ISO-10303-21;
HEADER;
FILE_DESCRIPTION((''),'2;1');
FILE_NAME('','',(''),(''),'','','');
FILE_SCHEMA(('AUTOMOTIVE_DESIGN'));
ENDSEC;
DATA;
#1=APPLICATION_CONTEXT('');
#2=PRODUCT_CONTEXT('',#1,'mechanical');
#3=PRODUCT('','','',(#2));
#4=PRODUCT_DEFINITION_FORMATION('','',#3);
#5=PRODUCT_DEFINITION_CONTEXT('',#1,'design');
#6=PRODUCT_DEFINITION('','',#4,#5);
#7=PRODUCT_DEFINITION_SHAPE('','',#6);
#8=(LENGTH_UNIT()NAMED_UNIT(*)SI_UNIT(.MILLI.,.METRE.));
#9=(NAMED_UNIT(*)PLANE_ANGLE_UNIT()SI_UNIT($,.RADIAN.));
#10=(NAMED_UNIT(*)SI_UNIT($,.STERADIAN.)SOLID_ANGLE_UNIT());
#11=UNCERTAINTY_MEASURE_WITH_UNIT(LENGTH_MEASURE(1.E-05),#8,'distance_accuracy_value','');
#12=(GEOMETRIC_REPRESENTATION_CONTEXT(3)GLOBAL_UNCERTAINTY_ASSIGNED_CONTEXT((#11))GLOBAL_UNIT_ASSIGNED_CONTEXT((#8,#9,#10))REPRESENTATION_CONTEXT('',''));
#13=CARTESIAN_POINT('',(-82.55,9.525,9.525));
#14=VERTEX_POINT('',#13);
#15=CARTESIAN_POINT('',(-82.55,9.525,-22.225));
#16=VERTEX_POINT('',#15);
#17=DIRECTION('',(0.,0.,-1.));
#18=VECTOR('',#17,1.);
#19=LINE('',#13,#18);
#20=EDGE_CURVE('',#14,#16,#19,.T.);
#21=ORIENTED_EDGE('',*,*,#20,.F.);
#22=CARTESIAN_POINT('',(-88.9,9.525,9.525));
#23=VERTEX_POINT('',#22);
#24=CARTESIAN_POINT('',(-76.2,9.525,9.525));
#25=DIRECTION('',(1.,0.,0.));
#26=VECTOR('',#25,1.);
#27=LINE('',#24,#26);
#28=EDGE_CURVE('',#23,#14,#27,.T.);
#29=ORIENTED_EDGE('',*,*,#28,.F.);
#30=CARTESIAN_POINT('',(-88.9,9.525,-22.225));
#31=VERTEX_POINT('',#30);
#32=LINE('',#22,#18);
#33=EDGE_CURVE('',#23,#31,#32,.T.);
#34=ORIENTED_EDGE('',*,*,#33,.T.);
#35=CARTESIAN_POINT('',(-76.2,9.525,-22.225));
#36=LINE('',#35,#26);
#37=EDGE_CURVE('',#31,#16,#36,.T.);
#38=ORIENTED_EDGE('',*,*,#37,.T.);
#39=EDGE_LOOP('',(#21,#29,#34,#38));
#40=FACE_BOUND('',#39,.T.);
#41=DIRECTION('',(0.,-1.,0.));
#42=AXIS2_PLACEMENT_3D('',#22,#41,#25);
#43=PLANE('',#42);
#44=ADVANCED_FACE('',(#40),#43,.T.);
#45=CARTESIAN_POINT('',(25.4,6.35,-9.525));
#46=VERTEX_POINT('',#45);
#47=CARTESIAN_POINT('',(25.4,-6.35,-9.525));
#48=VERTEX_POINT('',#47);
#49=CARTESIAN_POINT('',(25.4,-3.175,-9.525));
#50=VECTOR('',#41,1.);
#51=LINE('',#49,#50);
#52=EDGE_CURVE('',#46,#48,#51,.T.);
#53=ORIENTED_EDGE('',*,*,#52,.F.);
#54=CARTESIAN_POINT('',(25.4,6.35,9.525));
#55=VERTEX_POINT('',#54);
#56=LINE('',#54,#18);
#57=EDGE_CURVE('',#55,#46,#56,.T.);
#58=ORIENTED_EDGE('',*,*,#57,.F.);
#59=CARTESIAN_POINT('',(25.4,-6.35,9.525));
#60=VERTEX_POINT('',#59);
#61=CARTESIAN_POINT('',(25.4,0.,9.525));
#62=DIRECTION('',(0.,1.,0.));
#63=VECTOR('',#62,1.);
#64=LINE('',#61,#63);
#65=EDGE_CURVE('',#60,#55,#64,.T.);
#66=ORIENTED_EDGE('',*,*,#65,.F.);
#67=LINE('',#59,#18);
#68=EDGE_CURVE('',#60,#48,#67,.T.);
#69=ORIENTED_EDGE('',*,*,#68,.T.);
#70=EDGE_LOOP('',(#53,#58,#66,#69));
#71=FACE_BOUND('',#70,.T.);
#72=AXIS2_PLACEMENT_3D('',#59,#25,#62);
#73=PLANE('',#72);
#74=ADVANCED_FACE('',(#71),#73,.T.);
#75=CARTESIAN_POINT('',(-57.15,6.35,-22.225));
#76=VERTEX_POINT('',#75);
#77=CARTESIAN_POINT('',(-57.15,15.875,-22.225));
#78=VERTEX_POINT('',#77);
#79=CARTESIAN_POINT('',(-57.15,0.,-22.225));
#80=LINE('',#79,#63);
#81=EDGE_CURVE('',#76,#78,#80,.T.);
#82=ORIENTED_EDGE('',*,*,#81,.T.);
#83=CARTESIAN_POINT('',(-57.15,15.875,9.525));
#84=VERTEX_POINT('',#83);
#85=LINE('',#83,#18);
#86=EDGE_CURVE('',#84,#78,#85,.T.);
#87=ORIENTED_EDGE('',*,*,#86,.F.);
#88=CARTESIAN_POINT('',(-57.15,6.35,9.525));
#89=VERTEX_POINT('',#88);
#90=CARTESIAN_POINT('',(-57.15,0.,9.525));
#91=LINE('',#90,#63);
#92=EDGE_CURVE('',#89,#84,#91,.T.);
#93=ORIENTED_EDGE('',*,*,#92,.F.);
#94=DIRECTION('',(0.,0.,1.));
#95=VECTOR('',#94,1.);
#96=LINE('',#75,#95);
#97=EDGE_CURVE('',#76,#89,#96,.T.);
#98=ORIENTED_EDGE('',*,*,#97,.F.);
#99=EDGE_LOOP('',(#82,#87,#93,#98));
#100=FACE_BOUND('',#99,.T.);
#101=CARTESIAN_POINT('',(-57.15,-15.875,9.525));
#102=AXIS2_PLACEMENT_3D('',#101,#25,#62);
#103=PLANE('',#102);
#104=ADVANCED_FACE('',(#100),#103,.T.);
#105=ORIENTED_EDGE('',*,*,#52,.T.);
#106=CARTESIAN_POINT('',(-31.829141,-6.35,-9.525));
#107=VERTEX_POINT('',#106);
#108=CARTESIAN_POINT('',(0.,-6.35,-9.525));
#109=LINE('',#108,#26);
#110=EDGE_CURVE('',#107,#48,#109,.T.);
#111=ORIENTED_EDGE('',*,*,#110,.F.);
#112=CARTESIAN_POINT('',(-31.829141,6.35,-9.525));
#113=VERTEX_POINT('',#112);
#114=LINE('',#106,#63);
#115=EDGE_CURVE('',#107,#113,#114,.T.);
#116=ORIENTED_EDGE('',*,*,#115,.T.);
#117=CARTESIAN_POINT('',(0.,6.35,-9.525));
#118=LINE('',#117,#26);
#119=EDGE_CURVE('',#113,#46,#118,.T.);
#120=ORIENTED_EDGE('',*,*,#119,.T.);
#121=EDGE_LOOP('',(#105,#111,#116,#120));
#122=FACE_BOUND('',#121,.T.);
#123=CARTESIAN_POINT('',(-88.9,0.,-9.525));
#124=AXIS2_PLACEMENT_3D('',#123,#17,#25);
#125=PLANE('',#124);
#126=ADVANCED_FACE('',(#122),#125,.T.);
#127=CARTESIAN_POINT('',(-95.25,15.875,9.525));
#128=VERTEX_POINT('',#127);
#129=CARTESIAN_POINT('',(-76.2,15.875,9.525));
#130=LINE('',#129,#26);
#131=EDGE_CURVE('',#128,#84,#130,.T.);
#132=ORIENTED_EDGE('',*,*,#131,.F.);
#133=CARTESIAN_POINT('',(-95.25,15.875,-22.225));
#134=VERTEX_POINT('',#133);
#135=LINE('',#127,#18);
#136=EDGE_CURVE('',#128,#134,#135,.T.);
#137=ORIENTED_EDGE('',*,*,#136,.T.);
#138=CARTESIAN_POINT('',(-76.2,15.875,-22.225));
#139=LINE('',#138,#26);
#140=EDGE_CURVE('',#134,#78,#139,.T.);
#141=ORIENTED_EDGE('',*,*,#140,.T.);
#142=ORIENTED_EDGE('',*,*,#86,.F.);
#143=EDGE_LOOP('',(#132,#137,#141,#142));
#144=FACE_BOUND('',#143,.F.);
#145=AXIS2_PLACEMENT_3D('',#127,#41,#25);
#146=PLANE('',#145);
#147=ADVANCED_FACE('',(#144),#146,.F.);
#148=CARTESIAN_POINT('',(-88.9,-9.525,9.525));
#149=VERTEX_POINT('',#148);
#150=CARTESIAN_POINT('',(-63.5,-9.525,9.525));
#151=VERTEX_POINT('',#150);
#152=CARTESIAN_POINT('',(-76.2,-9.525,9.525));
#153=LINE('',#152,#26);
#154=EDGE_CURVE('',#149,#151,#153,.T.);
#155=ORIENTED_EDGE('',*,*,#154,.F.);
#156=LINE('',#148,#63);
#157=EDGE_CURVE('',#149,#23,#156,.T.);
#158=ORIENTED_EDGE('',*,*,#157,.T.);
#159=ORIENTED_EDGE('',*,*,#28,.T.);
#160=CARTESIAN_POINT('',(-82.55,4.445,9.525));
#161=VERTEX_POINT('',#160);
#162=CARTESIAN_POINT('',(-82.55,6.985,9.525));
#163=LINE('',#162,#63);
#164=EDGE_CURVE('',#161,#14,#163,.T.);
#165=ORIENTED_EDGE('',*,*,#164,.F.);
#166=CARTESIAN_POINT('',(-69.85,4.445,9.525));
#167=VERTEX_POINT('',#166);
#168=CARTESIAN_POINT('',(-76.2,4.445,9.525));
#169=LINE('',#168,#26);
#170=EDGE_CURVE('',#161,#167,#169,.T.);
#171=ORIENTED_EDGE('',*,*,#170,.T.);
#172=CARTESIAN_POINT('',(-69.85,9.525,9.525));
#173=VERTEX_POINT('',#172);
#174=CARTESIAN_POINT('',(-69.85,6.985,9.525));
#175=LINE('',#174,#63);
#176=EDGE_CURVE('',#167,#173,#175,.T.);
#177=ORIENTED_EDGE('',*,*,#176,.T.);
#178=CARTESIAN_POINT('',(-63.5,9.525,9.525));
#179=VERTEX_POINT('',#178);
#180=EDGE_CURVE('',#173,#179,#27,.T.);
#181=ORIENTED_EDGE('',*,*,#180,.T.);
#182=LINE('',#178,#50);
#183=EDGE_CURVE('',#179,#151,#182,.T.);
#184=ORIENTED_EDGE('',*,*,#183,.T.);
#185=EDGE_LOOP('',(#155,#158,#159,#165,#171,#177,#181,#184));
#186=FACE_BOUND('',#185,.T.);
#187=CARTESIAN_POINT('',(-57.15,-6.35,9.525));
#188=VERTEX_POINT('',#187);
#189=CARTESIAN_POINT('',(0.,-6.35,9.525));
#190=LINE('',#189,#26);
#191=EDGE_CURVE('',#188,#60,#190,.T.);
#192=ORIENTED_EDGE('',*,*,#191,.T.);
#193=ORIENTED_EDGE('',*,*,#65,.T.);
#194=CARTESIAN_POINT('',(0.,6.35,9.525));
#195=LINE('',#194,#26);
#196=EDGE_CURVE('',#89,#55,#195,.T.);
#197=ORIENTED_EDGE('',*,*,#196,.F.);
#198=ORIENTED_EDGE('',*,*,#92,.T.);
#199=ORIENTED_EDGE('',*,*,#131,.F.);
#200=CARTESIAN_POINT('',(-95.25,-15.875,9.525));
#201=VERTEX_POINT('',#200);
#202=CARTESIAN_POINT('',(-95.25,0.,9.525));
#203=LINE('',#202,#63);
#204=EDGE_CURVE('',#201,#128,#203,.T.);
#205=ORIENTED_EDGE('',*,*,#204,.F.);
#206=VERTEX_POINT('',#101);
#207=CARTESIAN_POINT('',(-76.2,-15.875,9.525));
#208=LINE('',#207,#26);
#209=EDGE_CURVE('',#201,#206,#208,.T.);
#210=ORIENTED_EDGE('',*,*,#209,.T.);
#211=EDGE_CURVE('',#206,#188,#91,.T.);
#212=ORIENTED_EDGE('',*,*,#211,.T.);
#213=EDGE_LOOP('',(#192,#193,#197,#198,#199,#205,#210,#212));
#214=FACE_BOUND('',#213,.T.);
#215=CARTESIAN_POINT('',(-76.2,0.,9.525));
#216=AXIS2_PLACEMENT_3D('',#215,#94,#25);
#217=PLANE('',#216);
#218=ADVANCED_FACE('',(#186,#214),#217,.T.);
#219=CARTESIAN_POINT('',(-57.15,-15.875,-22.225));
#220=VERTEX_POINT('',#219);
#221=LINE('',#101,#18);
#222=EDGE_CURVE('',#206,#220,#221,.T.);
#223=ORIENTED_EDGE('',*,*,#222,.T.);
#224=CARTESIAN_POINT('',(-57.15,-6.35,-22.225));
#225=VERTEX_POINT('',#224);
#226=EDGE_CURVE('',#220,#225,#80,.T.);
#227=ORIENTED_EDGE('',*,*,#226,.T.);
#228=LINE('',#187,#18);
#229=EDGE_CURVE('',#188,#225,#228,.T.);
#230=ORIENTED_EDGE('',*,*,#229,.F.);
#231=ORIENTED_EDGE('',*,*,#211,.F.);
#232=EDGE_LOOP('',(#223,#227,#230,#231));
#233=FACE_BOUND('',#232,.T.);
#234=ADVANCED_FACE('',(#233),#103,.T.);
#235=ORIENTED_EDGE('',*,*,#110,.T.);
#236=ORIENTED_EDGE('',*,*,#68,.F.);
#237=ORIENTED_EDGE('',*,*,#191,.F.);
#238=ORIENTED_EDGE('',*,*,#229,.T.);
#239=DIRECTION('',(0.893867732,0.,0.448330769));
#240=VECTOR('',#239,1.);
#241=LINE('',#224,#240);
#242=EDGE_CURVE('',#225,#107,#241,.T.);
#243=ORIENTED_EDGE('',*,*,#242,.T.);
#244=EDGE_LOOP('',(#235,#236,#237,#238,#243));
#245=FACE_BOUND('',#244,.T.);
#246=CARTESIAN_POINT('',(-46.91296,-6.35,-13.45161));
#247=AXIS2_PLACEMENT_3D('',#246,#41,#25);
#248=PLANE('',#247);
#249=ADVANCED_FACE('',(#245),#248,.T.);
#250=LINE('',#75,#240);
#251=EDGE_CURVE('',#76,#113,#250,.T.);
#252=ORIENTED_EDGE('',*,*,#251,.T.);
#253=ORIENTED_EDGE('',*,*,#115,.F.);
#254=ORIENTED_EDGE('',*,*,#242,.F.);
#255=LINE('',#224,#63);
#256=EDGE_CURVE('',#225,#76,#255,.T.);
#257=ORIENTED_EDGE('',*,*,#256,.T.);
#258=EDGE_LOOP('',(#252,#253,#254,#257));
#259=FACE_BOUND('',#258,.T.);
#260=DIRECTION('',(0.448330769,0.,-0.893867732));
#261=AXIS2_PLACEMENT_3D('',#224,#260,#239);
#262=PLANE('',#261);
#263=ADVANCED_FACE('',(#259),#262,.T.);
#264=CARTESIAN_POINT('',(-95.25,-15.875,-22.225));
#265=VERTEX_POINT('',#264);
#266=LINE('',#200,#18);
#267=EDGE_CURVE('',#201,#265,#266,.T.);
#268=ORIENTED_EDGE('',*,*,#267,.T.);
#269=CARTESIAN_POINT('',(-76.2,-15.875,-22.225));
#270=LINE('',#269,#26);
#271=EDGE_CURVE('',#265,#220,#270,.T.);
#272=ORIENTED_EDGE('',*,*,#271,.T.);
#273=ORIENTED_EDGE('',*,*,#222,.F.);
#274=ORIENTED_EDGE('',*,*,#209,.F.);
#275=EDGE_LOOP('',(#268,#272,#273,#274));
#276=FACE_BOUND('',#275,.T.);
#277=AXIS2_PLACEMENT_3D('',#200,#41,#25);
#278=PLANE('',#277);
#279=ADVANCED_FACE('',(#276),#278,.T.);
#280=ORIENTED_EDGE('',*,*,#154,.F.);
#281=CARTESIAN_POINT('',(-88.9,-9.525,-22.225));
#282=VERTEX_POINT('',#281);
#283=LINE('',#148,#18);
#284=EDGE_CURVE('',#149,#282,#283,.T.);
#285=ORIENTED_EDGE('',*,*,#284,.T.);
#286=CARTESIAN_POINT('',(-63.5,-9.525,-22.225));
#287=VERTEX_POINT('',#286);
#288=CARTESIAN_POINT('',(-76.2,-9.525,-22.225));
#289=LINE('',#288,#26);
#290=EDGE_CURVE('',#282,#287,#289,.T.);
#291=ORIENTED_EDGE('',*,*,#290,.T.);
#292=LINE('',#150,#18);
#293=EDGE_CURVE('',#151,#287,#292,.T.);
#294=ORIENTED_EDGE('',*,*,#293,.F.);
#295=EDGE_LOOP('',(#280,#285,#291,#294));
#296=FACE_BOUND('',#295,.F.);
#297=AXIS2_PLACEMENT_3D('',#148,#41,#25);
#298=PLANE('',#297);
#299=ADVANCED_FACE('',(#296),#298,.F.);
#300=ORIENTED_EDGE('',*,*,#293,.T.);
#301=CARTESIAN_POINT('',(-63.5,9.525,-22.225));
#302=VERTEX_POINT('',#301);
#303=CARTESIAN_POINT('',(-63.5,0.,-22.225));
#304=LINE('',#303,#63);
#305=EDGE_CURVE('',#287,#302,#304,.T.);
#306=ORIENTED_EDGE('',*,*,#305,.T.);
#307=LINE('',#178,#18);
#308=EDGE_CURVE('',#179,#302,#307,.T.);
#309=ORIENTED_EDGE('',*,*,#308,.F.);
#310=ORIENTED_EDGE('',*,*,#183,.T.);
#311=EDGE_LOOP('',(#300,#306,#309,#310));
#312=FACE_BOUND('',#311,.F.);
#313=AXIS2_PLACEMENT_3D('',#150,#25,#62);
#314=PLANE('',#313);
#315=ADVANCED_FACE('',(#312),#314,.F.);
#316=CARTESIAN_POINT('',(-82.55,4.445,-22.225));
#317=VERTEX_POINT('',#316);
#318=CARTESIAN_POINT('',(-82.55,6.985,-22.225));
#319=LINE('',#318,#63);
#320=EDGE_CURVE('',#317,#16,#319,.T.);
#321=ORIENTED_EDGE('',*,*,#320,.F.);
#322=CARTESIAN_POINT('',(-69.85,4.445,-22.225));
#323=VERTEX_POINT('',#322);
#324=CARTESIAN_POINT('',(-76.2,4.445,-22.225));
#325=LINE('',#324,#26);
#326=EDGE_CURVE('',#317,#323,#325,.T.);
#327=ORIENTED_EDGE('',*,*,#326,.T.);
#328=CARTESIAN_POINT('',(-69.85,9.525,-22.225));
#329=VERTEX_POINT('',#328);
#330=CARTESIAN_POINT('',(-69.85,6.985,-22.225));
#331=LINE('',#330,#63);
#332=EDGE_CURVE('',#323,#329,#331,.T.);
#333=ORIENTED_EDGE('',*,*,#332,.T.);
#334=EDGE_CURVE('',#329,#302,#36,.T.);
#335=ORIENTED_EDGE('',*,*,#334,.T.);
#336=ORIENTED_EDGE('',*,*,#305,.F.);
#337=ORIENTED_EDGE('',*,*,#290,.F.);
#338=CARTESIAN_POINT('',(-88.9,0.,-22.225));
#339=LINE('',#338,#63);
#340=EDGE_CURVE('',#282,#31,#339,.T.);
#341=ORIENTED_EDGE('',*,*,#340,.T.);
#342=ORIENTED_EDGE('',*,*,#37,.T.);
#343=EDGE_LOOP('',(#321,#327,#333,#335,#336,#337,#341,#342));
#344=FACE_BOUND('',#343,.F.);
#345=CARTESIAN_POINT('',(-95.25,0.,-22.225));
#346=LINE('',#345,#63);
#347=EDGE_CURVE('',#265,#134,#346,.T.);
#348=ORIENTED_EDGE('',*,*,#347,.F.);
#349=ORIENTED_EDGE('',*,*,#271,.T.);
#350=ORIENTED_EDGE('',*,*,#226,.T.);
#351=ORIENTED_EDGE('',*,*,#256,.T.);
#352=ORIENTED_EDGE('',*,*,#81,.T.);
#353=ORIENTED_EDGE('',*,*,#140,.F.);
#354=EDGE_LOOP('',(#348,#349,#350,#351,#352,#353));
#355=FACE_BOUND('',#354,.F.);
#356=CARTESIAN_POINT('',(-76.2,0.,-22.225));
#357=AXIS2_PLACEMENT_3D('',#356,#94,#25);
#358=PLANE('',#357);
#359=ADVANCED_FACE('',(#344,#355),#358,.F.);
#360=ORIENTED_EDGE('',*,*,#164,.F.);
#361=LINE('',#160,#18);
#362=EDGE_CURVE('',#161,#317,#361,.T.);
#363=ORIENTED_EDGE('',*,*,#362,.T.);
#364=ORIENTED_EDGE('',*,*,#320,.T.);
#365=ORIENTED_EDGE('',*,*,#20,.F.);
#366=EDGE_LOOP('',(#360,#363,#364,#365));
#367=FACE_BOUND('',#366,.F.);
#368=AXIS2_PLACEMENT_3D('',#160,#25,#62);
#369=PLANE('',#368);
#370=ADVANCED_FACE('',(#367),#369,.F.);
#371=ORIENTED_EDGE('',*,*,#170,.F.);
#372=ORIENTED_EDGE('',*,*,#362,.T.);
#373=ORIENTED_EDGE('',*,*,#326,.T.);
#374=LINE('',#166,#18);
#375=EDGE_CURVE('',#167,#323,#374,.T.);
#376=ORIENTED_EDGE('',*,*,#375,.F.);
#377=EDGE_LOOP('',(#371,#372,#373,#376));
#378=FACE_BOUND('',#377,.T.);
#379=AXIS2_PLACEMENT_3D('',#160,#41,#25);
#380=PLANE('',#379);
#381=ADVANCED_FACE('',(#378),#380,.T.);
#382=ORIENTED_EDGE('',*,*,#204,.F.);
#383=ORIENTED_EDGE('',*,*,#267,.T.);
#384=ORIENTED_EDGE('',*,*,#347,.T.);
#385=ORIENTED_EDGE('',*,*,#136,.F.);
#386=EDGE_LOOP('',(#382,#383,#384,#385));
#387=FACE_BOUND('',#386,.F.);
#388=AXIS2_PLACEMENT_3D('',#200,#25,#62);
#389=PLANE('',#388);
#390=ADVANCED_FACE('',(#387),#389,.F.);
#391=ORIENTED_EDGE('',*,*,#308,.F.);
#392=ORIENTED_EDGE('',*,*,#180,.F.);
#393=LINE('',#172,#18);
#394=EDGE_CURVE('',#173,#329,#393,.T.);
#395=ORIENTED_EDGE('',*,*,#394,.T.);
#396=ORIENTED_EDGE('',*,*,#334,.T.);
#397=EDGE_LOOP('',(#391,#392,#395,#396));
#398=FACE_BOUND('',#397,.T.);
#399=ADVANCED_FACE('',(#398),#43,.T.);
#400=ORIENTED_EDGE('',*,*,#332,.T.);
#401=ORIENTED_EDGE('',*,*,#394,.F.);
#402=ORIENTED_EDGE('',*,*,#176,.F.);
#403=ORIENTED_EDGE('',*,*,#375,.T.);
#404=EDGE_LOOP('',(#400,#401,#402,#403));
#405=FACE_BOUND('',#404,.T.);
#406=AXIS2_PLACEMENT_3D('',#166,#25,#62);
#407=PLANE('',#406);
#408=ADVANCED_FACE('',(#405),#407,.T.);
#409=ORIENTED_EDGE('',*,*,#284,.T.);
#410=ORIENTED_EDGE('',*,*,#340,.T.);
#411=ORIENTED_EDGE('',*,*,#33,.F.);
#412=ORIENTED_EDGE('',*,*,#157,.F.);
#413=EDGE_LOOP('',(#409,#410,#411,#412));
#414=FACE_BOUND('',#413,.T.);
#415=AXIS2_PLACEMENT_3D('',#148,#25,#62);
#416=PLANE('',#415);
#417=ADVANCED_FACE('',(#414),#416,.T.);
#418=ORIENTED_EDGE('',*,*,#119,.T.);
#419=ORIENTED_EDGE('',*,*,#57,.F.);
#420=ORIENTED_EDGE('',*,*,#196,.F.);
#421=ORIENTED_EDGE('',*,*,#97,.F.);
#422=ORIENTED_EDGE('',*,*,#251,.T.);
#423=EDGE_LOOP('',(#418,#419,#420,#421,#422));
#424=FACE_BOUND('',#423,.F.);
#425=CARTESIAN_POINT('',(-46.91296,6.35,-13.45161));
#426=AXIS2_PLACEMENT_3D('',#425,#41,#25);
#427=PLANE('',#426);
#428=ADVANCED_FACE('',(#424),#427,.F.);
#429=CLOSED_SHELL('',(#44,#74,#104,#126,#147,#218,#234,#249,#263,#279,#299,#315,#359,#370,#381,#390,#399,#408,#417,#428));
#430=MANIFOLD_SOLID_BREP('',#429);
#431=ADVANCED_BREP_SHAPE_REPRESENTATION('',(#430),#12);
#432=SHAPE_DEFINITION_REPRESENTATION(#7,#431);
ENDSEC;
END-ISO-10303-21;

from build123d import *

# Parameters (mm, degrees)
F0_W      = 177.8
F0_H      = 19.05
F1_DEPTH  = 6.35
F2_W      = 38.1
F2_H      = 31.75
F2_W_2    = 25.4
F2_H_2    = 19.05
F3_DEPTH  = 31.75
F4_W      = 25.4
F4_H      = 19.05
F5_DEPTH  = 127
F6_W      = 12.7
F6_H      = 5.08
F7_DEPTH  = 31.75
F9_DEPTH  = 12.7
F10_W     = 63.5
F10_H     = 12.7
F11_DEPTH = 31.751


with BuildPart() as f1:
    # F0 (on Front) → F1 (new body, symmetric)
    with BuildSketch(Plane.XZ):
        Rectangle(F0_W, F0_H)
    extrude(amount=F1_DEPTH, both=True)

    # F2 (on face) → F3 (join)
    with BuildSketch(Plane.XY.offset(9.525)):
        with Locations((-76.2, 0)):
            Rectangle(F2_W, F2_H)
        with Locations((-76.2, 0)):
            Rectangle(F2_W_2, F2_H_2, mode=Mode.SUBTRACT)
    extrude(amount=-F3_DEPTH)

    # F4 (on face) → F5 (cut)
    with BuildSketch(Plane.XY.offset(9.525)):
        with Locations((-76.2, 0)):
            Rectangle(F4_W, F4_H)
    extrude(amount=-F5_DEPTH, mode=Mode.SUBTRACT)

    # F6 (on face) → F7 (join)
    with BuildSketch(Plane.XY.offset(9.525)):
        with Locations((-76.2, 6.985)):
            Rectangle(F6_W, F6_H)
    extrude(amount=-F7_DEPTH)

    # F8 (on face) → F9 (join)
    with BuildSketch(Plane.XZ.offset(6.35)):
        Polygon((-57.15, -22.225), (-31.829141, -9.525), (-57.15, -9.525), align=None)
    extrude(amount=-F9_DEPTH)

    # F10 (on face) → F11 (cut, through all)
    with BuildSketch(Plane.XY.offset(9.525)):
        with Locations((57.15, 0)):
            Rectangle(F10_W, F10_H)
    extrude(amount=-F11_DEPTH, mode=Mode.SUBTRACT)


solid = f1.part
